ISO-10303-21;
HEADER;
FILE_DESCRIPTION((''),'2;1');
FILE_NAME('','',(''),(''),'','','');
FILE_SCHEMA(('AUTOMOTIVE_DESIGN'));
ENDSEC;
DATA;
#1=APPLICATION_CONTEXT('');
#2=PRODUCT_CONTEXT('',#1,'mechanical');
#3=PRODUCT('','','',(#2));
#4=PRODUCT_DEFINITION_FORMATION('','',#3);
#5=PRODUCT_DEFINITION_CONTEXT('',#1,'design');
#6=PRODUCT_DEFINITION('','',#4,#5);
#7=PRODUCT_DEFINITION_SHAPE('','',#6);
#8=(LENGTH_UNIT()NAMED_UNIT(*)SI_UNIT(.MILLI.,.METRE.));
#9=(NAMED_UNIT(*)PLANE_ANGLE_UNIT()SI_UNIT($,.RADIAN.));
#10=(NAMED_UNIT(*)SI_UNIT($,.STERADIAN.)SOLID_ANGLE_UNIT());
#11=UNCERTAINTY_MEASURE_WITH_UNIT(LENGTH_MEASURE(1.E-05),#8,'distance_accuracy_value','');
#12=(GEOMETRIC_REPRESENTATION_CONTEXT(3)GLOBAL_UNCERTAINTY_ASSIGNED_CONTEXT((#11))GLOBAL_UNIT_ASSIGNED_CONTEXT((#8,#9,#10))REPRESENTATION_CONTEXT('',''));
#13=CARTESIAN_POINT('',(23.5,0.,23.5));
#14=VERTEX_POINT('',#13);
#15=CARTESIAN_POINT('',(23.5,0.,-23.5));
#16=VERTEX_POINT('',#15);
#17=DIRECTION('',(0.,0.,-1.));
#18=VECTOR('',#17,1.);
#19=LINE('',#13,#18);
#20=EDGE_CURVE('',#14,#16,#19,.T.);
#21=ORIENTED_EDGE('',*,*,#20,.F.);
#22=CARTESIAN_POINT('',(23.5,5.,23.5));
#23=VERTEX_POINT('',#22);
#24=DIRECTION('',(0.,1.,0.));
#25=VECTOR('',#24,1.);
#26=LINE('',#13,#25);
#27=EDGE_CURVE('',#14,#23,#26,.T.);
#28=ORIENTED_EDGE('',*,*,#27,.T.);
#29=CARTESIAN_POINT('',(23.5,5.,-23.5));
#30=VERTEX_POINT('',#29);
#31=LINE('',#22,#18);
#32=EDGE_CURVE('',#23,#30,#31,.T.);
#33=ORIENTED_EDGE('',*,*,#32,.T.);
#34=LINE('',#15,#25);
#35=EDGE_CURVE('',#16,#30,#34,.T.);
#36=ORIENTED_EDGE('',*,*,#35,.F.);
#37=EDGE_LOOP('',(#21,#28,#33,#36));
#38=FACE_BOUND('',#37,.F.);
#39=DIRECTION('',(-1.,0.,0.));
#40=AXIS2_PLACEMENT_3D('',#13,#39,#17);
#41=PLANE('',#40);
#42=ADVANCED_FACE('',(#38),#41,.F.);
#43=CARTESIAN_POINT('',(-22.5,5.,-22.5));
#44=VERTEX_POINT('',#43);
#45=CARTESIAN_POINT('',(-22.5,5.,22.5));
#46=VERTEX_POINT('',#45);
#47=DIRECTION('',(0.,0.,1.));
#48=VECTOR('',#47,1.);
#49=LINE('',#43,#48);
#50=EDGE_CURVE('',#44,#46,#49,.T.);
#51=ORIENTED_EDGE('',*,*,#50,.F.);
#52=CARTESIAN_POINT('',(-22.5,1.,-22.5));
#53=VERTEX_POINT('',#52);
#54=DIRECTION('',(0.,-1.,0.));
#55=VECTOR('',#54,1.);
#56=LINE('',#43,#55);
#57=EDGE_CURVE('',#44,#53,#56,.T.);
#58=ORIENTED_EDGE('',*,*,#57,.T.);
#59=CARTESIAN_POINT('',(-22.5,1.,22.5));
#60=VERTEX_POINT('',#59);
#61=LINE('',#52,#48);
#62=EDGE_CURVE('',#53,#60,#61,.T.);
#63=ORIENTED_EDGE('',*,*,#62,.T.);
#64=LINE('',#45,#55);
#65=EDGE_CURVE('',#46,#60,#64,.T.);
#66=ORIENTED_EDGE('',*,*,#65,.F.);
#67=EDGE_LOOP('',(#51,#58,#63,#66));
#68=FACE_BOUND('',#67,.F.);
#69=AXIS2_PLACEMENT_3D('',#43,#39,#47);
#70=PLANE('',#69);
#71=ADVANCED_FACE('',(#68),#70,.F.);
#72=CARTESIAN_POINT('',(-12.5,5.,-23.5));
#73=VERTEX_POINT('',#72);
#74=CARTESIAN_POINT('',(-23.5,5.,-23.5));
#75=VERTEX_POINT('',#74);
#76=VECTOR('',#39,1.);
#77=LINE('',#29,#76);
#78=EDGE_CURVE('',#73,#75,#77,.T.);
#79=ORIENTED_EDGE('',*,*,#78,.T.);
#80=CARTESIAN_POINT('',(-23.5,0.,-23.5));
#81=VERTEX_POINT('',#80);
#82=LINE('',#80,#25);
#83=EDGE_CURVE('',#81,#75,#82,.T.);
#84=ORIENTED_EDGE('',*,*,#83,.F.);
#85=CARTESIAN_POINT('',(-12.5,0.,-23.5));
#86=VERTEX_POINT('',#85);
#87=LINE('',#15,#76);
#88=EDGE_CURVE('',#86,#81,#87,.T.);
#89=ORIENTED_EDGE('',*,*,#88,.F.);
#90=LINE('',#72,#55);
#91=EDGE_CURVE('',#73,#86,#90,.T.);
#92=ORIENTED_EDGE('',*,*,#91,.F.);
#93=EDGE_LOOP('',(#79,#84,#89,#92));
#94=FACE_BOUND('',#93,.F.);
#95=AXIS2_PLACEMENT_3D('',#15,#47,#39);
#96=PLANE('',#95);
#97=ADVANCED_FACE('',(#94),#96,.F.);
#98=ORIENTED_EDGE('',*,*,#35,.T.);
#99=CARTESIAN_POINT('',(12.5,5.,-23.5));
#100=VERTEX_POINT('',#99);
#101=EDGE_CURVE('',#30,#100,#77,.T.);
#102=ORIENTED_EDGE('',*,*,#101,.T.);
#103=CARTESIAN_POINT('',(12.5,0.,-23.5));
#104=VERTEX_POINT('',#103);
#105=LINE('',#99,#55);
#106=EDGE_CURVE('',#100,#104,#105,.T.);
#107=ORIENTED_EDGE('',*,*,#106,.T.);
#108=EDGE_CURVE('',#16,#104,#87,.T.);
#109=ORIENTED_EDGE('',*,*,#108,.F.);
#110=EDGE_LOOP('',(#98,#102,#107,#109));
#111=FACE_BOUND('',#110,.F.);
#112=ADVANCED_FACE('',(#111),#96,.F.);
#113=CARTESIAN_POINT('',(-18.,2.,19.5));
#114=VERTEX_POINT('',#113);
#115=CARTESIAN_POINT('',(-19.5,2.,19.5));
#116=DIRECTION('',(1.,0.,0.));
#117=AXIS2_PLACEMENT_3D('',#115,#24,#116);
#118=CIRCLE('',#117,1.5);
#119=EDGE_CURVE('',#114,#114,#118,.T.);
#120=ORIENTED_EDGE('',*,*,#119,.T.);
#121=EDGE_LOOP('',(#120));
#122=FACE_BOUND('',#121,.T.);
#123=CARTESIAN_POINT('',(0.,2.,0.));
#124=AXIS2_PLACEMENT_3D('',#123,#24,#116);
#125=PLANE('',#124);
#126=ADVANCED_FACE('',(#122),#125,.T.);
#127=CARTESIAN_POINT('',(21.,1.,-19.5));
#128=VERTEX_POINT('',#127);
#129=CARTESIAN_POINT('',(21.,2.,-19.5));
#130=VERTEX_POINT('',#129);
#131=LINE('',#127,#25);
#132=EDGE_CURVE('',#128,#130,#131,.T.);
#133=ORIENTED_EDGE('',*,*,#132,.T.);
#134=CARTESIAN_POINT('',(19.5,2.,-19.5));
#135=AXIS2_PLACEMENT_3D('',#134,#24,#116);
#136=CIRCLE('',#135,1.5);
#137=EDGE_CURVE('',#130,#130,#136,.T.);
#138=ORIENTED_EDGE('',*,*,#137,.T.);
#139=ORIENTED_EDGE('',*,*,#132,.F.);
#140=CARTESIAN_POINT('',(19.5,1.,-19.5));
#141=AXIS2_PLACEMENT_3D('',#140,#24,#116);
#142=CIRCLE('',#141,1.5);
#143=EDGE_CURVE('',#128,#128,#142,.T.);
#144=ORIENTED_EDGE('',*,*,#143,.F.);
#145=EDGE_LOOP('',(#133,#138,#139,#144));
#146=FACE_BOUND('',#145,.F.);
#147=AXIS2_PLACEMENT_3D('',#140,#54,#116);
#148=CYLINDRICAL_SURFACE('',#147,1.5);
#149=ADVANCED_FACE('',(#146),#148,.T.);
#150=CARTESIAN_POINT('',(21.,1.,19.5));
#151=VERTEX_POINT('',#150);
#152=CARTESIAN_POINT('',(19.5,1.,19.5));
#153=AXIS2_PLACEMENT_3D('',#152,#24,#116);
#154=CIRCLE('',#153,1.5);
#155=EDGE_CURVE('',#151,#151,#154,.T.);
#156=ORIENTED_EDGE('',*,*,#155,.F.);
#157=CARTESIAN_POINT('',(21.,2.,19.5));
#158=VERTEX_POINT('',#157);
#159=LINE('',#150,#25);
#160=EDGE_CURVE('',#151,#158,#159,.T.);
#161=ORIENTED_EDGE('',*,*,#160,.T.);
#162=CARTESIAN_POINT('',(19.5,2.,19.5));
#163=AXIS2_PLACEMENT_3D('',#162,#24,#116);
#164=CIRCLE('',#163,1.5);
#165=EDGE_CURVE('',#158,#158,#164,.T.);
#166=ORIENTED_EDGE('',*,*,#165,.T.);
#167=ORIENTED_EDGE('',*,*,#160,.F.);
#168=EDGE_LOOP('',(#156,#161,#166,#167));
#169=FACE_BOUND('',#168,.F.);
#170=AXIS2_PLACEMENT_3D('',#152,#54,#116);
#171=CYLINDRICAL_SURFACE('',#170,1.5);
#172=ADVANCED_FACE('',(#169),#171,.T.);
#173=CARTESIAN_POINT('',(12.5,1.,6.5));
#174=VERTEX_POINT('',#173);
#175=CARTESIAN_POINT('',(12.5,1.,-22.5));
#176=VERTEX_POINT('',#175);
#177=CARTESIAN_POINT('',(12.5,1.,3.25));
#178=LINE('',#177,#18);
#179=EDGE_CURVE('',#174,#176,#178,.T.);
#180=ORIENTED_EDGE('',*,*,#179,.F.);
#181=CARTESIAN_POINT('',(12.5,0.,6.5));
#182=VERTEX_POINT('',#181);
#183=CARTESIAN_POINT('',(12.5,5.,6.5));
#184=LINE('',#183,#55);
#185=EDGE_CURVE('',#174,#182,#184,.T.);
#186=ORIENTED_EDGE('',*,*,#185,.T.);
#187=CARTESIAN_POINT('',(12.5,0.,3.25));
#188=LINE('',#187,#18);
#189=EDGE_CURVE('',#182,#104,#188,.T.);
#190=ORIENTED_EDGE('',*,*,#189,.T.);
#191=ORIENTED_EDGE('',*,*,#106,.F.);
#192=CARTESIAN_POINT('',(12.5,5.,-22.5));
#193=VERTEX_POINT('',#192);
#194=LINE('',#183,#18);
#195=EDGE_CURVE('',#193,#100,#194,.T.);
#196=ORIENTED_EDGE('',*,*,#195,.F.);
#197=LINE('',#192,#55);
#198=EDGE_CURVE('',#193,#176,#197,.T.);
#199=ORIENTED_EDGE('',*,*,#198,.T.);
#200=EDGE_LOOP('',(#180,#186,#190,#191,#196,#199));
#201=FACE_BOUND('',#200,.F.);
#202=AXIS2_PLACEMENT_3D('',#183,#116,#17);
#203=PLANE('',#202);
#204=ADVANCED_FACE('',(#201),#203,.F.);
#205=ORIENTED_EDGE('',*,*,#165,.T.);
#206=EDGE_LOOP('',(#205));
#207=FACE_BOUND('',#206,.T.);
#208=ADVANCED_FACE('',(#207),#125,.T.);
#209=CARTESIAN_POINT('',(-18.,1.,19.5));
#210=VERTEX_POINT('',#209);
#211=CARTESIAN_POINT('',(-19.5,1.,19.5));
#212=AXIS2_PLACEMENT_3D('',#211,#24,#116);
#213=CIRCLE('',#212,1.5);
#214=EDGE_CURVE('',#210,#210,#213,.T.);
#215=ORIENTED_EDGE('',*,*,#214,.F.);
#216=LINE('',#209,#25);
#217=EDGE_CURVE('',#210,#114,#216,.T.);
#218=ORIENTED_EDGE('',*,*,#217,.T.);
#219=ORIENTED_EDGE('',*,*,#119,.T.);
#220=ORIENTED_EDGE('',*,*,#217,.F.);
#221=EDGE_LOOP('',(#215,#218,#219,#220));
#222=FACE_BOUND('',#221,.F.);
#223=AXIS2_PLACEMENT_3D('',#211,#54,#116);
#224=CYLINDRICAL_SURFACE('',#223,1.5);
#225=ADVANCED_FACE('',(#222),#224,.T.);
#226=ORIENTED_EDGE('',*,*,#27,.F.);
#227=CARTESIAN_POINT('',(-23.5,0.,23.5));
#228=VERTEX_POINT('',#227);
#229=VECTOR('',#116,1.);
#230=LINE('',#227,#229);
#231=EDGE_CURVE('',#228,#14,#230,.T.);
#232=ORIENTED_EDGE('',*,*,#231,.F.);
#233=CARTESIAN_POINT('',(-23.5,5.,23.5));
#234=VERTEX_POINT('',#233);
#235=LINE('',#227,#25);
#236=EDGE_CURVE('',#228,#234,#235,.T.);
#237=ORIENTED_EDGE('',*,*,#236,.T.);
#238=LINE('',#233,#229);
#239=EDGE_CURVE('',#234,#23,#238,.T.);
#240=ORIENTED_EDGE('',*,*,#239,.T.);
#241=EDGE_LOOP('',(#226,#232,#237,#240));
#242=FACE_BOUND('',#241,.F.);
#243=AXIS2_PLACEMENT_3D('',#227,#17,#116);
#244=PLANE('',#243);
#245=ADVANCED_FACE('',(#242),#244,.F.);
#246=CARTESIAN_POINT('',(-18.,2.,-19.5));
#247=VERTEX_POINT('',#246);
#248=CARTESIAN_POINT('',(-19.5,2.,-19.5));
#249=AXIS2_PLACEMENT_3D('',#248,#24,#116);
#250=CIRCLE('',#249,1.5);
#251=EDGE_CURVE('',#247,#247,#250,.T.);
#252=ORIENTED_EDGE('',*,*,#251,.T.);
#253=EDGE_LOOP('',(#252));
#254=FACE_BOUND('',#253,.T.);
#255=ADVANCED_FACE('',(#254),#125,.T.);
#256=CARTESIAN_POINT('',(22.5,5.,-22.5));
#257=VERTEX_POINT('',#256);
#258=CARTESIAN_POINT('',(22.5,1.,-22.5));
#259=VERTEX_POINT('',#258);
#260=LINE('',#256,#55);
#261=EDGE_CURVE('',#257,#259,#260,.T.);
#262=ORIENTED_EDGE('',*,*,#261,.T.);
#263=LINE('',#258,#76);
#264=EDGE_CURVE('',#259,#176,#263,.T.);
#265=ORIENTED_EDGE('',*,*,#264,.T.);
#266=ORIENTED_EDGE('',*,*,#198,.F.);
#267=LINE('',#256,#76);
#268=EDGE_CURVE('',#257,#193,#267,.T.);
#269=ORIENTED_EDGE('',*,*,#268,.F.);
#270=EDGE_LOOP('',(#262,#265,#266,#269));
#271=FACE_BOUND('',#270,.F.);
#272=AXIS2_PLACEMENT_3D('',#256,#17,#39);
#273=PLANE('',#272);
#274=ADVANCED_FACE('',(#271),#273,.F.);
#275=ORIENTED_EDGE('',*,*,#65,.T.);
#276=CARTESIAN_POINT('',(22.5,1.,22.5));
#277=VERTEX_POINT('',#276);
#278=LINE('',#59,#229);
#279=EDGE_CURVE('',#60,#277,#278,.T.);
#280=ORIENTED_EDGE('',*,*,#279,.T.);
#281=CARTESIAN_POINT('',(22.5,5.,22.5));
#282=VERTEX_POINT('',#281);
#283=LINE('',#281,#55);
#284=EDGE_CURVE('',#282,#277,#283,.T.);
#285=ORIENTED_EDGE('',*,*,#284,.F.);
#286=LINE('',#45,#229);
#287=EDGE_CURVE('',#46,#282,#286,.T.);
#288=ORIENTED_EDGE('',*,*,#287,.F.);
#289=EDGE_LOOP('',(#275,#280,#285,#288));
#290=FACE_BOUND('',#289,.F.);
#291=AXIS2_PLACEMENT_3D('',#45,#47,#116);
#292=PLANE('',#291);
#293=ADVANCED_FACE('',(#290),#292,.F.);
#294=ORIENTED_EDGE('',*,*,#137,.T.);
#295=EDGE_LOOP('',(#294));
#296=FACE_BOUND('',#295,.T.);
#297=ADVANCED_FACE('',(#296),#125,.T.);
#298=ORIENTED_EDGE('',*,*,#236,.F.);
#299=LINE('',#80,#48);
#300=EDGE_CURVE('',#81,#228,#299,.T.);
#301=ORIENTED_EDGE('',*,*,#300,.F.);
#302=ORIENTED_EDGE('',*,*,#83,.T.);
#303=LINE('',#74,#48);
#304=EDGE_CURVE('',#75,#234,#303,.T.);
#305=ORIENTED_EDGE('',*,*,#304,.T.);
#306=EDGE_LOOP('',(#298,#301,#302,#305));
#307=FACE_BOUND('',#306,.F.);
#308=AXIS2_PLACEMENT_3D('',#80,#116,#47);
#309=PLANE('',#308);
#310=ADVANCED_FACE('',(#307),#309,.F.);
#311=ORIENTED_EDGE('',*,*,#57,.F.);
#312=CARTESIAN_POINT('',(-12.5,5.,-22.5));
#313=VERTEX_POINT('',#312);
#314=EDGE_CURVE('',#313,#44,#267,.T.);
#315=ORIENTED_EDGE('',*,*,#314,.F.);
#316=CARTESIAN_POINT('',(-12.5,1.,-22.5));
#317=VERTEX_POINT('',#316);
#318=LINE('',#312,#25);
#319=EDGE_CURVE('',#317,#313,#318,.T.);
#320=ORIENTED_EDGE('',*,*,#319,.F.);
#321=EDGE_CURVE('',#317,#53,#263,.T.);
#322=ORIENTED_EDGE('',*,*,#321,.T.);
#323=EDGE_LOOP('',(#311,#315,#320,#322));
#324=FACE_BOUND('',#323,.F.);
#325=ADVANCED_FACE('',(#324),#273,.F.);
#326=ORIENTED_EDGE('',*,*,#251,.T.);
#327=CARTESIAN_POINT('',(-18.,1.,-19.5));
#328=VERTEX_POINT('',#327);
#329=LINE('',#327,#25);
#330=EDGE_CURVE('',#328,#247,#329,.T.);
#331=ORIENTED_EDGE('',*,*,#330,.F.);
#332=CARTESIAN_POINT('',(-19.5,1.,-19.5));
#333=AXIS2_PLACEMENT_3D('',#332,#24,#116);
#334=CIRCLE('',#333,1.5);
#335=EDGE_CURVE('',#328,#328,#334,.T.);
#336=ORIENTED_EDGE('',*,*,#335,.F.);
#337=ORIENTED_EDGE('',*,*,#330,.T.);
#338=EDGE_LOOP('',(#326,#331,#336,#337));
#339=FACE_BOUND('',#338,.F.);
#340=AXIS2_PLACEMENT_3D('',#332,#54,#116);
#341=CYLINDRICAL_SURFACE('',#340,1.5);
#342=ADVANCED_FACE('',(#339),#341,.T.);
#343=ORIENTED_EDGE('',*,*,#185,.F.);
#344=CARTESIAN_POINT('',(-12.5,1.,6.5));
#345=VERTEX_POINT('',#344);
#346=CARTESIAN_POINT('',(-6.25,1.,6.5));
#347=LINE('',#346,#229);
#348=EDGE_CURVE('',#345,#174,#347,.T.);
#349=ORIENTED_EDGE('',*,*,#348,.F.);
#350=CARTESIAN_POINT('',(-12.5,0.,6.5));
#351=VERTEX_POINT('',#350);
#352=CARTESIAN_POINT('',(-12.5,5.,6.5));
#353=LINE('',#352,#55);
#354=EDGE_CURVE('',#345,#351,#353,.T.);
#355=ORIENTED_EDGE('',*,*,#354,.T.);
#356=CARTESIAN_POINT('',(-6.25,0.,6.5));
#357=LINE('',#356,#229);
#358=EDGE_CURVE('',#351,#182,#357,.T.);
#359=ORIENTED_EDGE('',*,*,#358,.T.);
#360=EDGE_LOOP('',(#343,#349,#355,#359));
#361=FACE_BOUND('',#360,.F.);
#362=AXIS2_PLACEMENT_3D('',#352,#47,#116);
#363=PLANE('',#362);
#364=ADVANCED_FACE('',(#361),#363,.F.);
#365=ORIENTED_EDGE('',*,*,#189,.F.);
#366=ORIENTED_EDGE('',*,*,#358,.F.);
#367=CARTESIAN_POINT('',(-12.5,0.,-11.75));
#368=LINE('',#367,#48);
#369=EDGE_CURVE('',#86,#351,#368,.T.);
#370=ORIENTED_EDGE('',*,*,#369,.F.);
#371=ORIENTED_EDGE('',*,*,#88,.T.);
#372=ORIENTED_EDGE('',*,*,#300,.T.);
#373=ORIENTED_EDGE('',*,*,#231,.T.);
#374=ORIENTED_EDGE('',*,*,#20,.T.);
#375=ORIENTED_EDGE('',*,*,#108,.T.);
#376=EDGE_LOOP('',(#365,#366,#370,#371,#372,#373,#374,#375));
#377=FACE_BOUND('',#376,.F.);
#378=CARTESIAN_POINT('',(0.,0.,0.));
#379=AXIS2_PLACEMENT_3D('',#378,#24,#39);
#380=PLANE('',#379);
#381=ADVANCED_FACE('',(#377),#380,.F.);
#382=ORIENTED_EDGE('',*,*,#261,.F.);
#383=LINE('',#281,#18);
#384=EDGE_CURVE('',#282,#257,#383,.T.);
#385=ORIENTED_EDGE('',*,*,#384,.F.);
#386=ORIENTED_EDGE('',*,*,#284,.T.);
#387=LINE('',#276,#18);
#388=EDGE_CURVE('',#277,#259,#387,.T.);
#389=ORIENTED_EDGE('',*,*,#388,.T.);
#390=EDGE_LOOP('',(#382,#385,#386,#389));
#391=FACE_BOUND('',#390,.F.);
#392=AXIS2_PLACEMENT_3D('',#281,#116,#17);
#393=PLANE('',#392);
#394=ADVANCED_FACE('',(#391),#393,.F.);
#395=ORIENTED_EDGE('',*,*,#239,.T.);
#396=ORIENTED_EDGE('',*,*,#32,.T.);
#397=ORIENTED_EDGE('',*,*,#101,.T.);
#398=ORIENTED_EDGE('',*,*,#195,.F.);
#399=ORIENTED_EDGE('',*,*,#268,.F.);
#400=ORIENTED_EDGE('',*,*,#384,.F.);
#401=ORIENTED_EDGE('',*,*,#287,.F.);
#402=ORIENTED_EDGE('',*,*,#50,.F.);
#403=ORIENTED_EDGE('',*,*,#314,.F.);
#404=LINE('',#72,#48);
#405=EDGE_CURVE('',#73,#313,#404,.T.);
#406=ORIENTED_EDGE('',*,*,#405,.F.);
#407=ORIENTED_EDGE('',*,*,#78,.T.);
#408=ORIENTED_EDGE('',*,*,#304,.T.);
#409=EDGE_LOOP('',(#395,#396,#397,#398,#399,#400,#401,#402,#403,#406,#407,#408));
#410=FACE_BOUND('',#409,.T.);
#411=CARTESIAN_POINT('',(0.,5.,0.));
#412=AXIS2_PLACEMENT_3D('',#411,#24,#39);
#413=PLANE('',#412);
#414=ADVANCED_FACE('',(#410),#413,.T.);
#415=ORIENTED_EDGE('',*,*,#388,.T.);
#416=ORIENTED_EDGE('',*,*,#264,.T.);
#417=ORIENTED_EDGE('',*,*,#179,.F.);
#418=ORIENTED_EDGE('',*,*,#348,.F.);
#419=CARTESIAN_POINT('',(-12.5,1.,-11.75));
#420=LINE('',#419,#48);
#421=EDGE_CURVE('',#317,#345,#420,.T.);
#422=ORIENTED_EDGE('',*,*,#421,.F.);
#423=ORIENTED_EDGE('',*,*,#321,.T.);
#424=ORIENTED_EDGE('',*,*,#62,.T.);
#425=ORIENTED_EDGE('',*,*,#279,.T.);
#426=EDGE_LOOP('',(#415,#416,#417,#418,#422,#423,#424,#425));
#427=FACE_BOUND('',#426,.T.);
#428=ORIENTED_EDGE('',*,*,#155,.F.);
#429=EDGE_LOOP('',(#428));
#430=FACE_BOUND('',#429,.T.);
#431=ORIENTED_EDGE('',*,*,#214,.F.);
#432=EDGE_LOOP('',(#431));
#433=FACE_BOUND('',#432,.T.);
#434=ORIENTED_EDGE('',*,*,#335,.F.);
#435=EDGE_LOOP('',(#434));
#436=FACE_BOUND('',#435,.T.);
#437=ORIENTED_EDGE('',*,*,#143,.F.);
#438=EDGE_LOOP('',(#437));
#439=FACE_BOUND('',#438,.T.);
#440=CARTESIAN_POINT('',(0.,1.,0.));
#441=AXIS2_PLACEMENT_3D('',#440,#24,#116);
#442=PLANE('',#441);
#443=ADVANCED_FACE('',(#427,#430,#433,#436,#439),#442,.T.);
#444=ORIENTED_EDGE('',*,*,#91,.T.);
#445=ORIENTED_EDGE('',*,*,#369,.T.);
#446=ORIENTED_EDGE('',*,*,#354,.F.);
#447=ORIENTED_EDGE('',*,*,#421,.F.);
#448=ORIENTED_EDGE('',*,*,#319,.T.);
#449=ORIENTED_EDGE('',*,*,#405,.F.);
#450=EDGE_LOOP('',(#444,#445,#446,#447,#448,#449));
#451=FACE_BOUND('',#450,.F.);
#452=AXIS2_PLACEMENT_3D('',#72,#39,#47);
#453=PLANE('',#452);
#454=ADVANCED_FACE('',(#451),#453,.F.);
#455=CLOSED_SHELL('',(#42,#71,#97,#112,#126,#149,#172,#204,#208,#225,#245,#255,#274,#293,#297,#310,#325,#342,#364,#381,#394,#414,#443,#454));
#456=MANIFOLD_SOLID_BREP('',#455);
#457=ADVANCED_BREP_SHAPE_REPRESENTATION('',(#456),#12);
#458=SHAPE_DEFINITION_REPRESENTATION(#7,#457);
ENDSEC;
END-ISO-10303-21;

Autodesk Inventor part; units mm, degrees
ref_plane "YZ Plane" through (0, 0, 0) normal (1, 0, 0) x (0, 1, 0)
ref_plane "XZ Plane" through (0, 0, 0) normal (0, 1, 0) x (-1, 0, 0)
ref_plane "XY Plane" through (0, 0, 0) normal (0, 0, 1) x (1, 0, 0)
sketch "Sketch1" plane through (0, 0, 0) normal (0, 1, 0) x (-1, 0, 0)
  point P0 (0, 0)
sketch "Sketch2" plane through (0, 0, 0) normal (0, 1, 0) x (-1, 0, 0)
  line L0 (23.5, 23.5) -> (-23.5, 23.5)
  line L1 (-23.5, 23.5) -> (-23.5, -23.5)
  line L2 (-23.5, -23.5) -> (23.5, -23.5)
  line L3 (23.5, -23.5) -> (23.5, 23.5)
  point P0 (0, 0)
  dimension "d4" = 47
  dimension "d5" = 47
  dimension "d6" = 23.5
  dimension "d7" = 23.5
extrude "Extrusion1" add sketch "Sketch2" along normal blind 5
sketch "Sketch3" plane through (0, 5, 0) normal (0, 1, 0) x (1, 0, 0)
  point P0 (0, 0)
sketch "Sketch4" plane through (0, 5, 0) normal (0, 1, 0) x (1, 0, 0)
  line L0 (-22.5, -22.5) -> (22.5, -22.5)
  line L1 (22.5, -22.5) -> (22.5, 22.5)
  line L2 (22.5, 22.5) -> (-22.5, 22.5)
  line L3 (-22.5, 22.5) -> (-22.5, -22.5)
  point P0 (0, 0)
  dimension "d10" = 45
  dimension "d11" = 45
  dimension "d12" = 22.5
  dimension "d13" = 22.5
extrude "Extrusion2" cut sketch "Sketch4" against normal blind 4
sketch "Sketch5" plane through (0, 5, 0) normal (0, 1, 0) x (1, 0, 0)
  line L0 (23.5, 23.5) -> (-23.5, 23.5) projected
  line L1 (12.5, 23.5) -> (-12.5, 23.5)
  line L2 (-12.5, 23.5) -> (-12.5, -6.5)
  line L3 (-12.5, -6.5) -> (12.5, -6.5)
  line L4 (12.5, -6.5) -> (12.5, 23.5)
  point P0 (0, 0)
  dimension "d16" = 30
  dimension "d17" = 25
  dimension "d18" = 12.5
extrude "Extrusion3" cut sketch "Sketch5" against normal blind 10
sketch "Sketch6" plane through (0, 1, 0) normal (0, 1, 0) x (1, 0, 0)
  circle A0 centre (-19.5, -19.5) radius 1.5
  line L0 (-23.5, 23.5) -> (-23.5, -23.5) projected
  line L1 (-23.5, -23.5) -> (23.5, -23.5) projected
  line L2 (0, 0) -> (-11.992, 0) construction
  line L3 (0, 0) -> (0, -9.7427) construction
  circle A1 centre (-19.5, 19.5) radius 1.5
  line L4 (-22.5, -22.5) -> (-22.5, 22.5) projected
  line L5 (22.5, -22.5) -> (-22.5, -22.5) projected
  circle A2 centre (19.5, -19.5) radius 1.5
  circle A3 centre (19.5, 19.5) radius 1.5
  dimension "d21" = 3
  dimension "d24" = 3
  dimension "d25" = 3
  dimension "d26" = 3
  dimension "d27" = 3
  dimension "d28" = 3
extrude "Extrusion4" add sketch "Sketch6" along normal blind 1
properties part number "particle_sensor_case_bottom"
